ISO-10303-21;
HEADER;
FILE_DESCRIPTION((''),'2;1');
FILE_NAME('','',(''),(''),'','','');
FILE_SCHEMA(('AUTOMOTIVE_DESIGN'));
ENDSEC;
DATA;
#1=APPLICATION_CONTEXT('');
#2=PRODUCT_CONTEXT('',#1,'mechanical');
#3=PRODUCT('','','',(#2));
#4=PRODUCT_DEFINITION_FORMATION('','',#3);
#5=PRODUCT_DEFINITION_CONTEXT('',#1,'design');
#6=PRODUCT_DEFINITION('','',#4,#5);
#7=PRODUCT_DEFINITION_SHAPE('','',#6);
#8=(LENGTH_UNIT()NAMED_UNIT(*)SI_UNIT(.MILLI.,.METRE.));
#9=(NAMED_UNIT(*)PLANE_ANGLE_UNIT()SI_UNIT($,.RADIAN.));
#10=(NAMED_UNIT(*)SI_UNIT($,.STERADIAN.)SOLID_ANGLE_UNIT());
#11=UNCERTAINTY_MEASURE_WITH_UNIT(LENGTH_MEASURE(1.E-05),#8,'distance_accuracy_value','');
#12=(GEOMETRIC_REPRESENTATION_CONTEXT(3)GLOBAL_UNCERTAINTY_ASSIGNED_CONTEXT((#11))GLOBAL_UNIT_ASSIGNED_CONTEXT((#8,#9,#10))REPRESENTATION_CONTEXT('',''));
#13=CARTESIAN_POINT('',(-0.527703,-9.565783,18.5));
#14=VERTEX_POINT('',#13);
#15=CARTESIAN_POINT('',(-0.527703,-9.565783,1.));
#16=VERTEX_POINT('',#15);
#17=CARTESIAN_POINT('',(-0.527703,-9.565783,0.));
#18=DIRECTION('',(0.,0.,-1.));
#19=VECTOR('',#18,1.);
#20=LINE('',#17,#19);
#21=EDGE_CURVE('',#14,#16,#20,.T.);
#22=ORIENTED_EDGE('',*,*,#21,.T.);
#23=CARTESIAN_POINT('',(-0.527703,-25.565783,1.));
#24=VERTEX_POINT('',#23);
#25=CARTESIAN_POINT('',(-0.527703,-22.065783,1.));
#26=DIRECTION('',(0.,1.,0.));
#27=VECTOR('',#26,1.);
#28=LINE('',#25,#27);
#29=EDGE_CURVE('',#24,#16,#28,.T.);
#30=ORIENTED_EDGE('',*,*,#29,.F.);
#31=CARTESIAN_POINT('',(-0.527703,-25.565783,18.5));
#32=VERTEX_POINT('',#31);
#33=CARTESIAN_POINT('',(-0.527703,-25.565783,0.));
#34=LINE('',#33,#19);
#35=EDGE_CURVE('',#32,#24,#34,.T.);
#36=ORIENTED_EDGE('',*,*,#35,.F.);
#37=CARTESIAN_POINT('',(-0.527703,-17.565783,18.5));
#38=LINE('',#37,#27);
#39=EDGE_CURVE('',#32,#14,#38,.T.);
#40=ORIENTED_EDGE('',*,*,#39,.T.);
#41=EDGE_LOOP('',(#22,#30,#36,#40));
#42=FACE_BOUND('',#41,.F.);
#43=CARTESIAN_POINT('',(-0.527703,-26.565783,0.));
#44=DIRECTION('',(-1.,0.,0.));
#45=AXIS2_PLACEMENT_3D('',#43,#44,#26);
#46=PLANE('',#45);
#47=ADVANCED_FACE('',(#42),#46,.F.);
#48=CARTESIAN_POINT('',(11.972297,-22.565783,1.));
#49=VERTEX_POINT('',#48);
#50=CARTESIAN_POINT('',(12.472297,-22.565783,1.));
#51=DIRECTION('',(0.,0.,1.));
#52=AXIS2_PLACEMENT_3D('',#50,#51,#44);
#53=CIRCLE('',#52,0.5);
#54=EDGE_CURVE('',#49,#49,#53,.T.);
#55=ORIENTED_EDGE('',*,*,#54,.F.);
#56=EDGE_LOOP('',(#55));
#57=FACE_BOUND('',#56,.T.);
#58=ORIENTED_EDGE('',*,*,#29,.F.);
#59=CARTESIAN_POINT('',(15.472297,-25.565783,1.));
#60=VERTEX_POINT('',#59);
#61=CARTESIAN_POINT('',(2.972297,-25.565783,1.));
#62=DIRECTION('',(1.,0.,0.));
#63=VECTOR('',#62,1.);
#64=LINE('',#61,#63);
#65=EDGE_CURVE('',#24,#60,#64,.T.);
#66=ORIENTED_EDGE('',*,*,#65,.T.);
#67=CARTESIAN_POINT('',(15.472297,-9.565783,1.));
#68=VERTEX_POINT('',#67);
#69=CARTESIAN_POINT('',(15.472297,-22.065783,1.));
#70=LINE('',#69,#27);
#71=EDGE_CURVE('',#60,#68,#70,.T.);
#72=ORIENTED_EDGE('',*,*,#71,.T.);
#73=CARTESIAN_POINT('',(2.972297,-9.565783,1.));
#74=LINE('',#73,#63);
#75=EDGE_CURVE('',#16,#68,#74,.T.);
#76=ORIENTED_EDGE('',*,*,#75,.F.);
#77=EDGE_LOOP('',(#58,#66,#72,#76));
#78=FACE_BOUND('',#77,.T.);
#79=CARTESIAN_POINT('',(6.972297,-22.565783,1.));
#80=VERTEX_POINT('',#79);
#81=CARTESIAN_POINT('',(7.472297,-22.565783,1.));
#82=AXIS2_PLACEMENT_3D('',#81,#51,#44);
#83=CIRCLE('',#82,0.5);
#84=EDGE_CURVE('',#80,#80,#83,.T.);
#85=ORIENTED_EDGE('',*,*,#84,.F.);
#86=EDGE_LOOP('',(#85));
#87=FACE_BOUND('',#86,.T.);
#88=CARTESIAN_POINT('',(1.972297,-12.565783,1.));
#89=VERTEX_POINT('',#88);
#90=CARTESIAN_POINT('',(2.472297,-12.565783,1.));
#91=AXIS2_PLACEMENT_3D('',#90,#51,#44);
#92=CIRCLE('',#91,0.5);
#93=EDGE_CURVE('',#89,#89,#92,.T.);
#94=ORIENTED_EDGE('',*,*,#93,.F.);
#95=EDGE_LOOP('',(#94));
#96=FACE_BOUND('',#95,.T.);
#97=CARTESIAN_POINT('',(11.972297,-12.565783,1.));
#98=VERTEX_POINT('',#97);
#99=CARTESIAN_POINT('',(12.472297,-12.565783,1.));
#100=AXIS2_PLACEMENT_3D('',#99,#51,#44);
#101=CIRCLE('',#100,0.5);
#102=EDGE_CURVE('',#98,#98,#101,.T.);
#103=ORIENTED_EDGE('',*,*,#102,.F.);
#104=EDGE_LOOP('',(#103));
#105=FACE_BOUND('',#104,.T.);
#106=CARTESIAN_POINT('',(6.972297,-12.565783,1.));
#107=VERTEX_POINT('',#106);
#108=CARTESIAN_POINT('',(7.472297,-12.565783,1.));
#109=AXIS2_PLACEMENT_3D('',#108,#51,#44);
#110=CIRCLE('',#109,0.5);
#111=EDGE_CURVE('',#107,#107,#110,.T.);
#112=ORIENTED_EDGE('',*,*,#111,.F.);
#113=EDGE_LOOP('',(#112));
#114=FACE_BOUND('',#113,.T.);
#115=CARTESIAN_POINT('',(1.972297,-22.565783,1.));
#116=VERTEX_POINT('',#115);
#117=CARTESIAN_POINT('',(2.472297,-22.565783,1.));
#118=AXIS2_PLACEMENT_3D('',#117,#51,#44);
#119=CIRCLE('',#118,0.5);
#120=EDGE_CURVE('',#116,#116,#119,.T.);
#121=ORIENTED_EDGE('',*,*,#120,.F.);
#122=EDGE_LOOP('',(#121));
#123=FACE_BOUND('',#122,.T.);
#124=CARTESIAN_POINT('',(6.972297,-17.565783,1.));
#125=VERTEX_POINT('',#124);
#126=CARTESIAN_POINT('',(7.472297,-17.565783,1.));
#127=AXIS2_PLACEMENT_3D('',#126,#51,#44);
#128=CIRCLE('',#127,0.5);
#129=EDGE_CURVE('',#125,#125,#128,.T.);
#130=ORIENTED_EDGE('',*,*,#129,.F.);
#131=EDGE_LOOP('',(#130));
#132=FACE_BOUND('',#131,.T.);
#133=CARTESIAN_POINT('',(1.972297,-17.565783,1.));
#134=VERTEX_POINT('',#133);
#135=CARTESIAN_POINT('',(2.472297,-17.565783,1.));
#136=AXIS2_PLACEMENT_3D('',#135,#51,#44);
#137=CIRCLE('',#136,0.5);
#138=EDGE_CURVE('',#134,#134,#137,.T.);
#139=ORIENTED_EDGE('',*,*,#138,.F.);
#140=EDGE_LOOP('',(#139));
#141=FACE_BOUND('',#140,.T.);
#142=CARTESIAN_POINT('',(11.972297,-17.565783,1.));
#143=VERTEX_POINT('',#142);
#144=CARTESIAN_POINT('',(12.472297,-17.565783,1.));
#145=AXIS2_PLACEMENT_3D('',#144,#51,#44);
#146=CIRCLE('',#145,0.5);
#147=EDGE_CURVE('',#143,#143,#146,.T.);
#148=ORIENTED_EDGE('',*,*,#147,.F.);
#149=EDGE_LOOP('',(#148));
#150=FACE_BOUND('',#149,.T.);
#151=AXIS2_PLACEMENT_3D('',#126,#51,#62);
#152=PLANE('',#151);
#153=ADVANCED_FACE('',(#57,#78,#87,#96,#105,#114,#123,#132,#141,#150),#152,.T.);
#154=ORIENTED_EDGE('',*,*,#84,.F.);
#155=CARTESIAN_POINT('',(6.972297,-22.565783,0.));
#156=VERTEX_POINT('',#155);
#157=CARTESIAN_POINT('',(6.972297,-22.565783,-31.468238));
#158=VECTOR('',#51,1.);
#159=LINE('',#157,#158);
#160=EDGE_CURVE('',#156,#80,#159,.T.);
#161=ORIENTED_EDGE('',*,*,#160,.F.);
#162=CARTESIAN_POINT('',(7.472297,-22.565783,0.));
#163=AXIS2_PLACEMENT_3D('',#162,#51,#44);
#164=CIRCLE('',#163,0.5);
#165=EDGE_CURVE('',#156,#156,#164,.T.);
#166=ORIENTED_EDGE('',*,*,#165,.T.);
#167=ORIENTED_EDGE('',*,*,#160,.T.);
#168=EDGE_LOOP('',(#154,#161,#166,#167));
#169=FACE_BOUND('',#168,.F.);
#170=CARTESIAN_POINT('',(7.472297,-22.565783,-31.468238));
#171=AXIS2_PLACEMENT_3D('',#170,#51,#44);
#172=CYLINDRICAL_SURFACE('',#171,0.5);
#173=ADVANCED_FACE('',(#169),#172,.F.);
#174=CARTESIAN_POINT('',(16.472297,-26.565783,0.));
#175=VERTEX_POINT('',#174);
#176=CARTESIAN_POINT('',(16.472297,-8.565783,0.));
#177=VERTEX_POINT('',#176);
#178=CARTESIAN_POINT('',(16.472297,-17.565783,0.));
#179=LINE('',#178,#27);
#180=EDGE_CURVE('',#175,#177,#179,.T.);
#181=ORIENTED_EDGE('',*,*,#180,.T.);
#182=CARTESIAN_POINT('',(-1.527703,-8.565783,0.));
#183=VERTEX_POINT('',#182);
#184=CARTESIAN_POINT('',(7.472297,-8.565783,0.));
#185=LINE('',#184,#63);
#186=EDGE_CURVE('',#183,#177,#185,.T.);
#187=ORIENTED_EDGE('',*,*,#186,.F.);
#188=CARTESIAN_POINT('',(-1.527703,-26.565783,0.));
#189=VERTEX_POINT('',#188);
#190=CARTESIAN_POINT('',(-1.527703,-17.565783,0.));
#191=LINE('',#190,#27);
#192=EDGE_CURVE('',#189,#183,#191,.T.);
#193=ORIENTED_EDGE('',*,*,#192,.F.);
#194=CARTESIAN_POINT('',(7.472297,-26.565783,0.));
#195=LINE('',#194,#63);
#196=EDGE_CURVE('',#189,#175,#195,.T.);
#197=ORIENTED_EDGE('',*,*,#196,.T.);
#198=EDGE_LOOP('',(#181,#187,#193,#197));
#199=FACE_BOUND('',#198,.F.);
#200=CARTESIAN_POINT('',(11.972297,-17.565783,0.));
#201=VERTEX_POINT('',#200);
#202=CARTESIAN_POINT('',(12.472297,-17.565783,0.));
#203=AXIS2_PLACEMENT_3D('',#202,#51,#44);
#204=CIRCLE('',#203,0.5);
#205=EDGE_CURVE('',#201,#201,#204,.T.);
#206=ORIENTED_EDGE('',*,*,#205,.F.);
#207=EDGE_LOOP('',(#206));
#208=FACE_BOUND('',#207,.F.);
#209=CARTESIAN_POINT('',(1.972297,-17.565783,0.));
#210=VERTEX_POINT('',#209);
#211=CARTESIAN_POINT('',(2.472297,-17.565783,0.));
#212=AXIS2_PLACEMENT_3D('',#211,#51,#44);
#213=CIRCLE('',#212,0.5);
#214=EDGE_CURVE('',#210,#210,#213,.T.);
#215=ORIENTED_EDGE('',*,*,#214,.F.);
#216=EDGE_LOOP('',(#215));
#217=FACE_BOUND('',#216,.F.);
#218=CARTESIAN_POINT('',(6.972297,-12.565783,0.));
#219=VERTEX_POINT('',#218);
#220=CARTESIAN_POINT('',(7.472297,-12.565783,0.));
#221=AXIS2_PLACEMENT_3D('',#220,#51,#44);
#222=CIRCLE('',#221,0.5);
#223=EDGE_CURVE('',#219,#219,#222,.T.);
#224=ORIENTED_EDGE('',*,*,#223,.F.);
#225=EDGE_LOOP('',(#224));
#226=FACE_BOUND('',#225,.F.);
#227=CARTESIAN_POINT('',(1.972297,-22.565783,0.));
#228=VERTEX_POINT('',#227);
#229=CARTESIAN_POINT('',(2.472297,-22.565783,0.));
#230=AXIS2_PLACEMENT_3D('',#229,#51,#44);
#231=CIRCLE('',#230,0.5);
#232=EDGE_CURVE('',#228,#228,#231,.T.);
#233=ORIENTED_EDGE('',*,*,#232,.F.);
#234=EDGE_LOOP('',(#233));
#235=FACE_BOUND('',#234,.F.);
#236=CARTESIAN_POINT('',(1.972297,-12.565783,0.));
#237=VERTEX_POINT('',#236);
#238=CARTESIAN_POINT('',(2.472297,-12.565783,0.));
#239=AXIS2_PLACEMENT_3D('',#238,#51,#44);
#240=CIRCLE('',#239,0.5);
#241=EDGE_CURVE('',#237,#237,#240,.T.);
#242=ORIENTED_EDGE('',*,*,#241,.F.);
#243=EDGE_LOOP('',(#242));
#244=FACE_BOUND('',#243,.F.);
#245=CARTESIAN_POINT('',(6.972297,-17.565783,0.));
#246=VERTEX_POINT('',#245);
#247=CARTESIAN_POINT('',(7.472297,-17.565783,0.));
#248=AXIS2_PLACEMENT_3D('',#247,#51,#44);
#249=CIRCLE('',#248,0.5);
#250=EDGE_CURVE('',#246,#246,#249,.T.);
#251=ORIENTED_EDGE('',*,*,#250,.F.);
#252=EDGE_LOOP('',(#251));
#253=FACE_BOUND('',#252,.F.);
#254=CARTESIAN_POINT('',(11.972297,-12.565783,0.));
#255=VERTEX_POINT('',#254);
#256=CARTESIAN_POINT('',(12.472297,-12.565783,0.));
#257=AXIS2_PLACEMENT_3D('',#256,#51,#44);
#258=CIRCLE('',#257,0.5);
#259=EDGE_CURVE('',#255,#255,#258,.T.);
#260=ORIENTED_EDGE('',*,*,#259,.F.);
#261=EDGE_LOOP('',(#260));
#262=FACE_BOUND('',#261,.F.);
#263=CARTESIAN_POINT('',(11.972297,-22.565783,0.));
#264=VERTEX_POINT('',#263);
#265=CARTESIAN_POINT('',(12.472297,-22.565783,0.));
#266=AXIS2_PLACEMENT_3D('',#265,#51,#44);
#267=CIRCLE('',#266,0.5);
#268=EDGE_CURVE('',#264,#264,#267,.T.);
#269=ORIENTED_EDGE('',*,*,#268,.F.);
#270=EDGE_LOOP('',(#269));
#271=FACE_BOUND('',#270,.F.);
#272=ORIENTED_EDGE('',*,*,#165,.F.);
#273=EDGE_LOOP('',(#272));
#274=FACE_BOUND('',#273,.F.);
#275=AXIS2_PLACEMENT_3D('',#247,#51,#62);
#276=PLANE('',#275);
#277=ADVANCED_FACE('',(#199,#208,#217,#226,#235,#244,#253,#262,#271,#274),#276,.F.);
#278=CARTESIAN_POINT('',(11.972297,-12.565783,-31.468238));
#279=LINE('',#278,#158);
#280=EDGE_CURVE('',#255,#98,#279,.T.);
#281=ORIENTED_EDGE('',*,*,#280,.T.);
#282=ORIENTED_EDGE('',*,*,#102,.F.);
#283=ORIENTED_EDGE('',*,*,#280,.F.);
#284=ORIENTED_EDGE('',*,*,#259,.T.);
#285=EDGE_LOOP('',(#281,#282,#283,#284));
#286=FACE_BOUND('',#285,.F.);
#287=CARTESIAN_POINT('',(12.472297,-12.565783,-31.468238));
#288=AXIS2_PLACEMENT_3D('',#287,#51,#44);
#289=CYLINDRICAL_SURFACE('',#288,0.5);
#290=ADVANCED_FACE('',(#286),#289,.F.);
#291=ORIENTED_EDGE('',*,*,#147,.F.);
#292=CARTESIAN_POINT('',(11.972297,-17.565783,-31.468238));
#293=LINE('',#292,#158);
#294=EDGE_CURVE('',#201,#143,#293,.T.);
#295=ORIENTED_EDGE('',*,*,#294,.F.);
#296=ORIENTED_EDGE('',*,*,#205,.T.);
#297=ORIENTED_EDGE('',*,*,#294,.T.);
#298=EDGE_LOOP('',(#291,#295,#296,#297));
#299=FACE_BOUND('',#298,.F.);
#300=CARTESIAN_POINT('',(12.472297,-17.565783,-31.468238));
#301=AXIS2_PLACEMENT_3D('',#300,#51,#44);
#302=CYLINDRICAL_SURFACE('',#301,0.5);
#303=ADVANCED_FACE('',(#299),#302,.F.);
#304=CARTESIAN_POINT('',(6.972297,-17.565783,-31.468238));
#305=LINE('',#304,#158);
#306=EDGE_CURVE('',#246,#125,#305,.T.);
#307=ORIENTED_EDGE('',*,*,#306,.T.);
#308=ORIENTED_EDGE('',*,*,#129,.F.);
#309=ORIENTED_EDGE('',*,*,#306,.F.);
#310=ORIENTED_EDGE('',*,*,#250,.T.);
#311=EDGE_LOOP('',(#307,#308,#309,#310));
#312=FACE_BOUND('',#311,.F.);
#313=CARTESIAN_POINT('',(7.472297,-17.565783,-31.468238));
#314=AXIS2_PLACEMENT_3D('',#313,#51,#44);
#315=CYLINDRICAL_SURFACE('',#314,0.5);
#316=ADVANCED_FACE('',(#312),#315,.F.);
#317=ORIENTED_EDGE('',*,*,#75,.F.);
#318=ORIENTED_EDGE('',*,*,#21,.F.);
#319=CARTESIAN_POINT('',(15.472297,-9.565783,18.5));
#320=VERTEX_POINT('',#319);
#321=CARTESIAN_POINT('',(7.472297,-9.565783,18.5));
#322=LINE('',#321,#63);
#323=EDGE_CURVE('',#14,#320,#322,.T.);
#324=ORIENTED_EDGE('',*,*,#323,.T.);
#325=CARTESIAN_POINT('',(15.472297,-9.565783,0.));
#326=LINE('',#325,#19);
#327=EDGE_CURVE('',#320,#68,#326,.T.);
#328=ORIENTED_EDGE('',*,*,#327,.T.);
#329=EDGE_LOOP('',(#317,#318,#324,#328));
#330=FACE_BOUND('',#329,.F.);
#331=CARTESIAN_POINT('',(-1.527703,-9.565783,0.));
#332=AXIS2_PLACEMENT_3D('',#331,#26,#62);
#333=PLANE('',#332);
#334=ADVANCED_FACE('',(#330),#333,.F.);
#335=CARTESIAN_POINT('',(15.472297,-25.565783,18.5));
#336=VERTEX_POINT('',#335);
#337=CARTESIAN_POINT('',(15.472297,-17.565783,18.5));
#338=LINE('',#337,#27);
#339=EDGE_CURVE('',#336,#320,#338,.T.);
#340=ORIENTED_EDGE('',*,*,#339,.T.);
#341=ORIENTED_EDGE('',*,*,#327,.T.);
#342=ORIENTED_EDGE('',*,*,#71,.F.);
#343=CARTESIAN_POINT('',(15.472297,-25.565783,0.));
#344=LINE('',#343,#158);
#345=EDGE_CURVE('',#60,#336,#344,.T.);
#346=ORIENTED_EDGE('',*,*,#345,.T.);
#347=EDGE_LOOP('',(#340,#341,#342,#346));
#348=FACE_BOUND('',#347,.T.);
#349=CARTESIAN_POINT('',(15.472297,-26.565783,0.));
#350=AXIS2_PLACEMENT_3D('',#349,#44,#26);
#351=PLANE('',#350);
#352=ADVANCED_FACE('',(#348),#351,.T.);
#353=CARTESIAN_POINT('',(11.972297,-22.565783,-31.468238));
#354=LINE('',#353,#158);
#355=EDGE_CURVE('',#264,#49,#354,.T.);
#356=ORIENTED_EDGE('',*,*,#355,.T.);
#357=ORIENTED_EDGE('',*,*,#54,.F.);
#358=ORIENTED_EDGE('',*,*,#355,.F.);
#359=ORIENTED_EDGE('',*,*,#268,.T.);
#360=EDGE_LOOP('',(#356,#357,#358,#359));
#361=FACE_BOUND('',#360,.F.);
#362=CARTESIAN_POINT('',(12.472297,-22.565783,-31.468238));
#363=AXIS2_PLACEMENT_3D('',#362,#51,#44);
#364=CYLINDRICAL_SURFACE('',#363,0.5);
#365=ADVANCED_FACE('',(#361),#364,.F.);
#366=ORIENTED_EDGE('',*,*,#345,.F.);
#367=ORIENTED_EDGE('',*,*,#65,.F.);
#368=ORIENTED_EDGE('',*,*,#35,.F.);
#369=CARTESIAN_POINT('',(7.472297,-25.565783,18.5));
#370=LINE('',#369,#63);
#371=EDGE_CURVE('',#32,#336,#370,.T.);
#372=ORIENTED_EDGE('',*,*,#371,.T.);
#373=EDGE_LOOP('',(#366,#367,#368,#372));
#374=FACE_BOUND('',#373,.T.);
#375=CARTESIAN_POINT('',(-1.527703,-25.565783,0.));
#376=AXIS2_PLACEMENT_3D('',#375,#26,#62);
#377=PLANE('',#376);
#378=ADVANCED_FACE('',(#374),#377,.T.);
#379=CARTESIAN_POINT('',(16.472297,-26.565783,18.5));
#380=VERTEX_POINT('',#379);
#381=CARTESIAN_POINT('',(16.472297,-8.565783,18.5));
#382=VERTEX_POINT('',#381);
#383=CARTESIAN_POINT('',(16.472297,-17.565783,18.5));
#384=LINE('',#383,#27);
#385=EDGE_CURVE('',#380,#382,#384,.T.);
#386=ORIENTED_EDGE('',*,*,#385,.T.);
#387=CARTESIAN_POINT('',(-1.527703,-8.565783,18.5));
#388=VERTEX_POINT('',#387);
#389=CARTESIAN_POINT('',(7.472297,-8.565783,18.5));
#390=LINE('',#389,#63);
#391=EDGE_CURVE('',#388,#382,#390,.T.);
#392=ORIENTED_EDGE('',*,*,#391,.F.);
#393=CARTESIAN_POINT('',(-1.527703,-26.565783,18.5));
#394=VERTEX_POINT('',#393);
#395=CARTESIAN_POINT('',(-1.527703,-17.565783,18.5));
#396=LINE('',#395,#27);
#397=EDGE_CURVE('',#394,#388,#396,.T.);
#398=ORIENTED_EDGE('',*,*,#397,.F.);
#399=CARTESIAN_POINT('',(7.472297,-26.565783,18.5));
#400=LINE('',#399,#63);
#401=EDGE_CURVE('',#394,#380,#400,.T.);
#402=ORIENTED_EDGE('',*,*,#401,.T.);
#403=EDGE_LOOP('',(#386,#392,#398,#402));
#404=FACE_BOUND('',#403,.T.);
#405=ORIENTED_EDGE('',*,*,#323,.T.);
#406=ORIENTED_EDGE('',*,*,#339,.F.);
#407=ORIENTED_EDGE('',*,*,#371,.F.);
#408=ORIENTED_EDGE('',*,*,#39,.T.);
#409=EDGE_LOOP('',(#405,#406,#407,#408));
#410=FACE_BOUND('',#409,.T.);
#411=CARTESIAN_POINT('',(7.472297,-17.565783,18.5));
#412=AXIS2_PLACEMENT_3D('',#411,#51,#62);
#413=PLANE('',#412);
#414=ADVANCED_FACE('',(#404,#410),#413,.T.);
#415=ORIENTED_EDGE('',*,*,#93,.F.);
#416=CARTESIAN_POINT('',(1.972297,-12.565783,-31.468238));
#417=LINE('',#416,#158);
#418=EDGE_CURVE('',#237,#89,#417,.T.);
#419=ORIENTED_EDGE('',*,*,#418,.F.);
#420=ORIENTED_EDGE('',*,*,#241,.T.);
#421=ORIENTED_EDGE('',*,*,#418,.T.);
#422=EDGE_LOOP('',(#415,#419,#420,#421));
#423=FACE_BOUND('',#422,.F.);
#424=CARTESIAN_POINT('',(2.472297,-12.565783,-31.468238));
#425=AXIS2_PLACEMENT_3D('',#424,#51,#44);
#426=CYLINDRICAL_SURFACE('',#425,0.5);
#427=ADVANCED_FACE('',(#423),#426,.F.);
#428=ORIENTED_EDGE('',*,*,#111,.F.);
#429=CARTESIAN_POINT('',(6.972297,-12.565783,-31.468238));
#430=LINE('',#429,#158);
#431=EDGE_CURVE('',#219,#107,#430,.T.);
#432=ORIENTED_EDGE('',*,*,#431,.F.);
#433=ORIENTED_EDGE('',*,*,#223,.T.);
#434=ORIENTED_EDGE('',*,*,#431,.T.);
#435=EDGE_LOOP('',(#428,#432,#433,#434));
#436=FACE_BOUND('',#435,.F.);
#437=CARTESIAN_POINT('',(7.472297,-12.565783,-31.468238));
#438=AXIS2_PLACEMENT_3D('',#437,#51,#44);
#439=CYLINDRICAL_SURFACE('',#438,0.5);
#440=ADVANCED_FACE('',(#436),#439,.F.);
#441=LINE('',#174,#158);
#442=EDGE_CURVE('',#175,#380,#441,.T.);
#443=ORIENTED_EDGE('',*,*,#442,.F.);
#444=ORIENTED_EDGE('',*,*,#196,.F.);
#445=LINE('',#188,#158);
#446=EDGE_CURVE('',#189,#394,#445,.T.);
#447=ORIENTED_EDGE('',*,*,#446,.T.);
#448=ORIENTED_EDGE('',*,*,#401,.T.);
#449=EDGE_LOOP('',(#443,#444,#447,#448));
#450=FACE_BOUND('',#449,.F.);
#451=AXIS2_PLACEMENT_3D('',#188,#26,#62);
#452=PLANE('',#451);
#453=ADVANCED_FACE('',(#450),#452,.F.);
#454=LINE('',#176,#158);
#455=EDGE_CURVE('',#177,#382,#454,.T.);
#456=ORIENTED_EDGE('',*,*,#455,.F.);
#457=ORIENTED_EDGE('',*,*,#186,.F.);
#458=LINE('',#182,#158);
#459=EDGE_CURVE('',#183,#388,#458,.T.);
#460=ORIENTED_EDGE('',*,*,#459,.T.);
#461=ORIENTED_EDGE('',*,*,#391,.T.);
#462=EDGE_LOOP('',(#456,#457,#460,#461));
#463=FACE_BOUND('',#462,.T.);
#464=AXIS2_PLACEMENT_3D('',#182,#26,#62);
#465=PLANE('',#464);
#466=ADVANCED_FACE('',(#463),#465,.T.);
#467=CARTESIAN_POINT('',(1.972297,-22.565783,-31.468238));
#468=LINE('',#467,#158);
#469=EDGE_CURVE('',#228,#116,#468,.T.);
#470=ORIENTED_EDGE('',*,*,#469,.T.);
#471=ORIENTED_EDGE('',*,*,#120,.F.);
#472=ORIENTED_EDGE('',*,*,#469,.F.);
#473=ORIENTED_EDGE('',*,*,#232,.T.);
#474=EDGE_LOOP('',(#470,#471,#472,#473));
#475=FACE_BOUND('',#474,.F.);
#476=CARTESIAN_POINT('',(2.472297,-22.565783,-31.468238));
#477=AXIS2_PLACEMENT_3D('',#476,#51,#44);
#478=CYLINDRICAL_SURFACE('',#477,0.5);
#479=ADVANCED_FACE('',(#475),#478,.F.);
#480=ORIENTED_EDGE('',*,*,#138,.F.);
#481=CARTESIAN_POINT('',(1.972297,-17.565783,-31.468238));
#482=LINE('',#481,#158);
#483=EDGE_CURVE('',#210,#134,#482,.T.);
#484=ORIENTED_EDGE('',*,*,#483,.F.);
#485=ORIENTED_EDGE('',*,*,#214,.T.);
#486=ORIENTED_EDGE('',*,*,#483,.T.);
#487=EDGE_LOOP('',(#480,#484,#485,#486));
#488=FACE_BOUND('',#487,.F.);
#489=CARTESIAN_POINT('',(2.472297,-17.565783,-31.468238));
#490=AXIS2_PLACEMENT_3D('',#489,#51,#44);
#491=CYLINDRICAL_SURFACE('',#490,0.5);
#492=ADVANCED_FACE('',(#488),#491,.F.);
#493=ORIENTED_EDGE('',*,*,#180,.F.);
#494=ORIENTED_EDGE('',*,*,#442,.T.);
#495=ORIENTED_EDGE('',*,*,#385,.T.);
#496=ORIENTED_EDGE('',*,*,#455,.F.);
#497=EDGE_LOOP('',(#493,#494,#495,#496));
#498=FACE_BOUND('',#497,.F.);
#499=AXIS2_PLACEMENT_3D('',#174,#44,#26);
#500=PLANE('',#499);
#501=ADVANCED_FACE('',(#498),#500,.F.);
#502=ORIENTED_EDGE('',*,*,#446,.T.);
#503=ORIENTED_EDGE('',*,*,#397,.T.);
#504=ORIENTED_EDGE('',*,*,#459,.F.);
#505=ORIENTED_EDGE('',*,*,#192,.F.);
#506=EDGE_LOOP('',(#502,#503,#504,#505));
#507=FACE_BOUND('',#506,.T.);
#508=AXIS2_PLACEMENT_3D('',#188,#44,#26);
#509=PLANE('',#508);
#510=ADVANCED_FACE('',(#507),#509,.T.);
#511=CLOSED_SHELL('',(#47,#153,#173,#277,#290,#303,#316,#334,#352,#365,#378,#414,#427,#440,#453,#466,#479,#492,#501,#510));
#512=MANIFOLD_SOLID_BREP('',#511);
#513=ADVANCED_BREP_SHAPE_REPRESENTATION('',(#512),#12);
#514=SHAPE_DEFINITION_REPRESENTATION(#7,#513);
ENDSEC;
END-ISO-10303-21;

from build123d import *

# Parameters (mm, degrees)
F0_W     = 18
F0_H     = 18
F1_DEPTH = 18.5
F2_T     = -1
F4_D     = 1


with BuildPart() as f1:
    # F0 (on Top) → F1 (new body)
    with BuildSketch(Plane.XY):
        with Locations((7.472297, -17.565783)):
            Rectangle(F0_W, F0_H)
    extrude(amount=F1_DEPTH)

    # F2
    f2_openings = [f1.faces().sort_by_distance(p)[0] for p in [
        (7.472297, -17.565783, 18.5),
    ]]
    offset(amount=F2_T, openings=f2_openings)

    # F4 (through all)
    with Locations(Plane(origin=(0, 0, 0), x_dir=(1, 0, 0), z_dir=(0, 0, -1))):
        with Locations((12.472297, 22.565783), (7.472297, 17.565783), (2.472297, 12.565783), (7.472297, 12.565783), (12.472297, 12.565783), (12.472297, 17.565783), (2.472297, 17.565783), (2.472297, 22.565783), (7.472297, 22.565783)):
            Hole(F4_D / 2)


solid = f1.part
